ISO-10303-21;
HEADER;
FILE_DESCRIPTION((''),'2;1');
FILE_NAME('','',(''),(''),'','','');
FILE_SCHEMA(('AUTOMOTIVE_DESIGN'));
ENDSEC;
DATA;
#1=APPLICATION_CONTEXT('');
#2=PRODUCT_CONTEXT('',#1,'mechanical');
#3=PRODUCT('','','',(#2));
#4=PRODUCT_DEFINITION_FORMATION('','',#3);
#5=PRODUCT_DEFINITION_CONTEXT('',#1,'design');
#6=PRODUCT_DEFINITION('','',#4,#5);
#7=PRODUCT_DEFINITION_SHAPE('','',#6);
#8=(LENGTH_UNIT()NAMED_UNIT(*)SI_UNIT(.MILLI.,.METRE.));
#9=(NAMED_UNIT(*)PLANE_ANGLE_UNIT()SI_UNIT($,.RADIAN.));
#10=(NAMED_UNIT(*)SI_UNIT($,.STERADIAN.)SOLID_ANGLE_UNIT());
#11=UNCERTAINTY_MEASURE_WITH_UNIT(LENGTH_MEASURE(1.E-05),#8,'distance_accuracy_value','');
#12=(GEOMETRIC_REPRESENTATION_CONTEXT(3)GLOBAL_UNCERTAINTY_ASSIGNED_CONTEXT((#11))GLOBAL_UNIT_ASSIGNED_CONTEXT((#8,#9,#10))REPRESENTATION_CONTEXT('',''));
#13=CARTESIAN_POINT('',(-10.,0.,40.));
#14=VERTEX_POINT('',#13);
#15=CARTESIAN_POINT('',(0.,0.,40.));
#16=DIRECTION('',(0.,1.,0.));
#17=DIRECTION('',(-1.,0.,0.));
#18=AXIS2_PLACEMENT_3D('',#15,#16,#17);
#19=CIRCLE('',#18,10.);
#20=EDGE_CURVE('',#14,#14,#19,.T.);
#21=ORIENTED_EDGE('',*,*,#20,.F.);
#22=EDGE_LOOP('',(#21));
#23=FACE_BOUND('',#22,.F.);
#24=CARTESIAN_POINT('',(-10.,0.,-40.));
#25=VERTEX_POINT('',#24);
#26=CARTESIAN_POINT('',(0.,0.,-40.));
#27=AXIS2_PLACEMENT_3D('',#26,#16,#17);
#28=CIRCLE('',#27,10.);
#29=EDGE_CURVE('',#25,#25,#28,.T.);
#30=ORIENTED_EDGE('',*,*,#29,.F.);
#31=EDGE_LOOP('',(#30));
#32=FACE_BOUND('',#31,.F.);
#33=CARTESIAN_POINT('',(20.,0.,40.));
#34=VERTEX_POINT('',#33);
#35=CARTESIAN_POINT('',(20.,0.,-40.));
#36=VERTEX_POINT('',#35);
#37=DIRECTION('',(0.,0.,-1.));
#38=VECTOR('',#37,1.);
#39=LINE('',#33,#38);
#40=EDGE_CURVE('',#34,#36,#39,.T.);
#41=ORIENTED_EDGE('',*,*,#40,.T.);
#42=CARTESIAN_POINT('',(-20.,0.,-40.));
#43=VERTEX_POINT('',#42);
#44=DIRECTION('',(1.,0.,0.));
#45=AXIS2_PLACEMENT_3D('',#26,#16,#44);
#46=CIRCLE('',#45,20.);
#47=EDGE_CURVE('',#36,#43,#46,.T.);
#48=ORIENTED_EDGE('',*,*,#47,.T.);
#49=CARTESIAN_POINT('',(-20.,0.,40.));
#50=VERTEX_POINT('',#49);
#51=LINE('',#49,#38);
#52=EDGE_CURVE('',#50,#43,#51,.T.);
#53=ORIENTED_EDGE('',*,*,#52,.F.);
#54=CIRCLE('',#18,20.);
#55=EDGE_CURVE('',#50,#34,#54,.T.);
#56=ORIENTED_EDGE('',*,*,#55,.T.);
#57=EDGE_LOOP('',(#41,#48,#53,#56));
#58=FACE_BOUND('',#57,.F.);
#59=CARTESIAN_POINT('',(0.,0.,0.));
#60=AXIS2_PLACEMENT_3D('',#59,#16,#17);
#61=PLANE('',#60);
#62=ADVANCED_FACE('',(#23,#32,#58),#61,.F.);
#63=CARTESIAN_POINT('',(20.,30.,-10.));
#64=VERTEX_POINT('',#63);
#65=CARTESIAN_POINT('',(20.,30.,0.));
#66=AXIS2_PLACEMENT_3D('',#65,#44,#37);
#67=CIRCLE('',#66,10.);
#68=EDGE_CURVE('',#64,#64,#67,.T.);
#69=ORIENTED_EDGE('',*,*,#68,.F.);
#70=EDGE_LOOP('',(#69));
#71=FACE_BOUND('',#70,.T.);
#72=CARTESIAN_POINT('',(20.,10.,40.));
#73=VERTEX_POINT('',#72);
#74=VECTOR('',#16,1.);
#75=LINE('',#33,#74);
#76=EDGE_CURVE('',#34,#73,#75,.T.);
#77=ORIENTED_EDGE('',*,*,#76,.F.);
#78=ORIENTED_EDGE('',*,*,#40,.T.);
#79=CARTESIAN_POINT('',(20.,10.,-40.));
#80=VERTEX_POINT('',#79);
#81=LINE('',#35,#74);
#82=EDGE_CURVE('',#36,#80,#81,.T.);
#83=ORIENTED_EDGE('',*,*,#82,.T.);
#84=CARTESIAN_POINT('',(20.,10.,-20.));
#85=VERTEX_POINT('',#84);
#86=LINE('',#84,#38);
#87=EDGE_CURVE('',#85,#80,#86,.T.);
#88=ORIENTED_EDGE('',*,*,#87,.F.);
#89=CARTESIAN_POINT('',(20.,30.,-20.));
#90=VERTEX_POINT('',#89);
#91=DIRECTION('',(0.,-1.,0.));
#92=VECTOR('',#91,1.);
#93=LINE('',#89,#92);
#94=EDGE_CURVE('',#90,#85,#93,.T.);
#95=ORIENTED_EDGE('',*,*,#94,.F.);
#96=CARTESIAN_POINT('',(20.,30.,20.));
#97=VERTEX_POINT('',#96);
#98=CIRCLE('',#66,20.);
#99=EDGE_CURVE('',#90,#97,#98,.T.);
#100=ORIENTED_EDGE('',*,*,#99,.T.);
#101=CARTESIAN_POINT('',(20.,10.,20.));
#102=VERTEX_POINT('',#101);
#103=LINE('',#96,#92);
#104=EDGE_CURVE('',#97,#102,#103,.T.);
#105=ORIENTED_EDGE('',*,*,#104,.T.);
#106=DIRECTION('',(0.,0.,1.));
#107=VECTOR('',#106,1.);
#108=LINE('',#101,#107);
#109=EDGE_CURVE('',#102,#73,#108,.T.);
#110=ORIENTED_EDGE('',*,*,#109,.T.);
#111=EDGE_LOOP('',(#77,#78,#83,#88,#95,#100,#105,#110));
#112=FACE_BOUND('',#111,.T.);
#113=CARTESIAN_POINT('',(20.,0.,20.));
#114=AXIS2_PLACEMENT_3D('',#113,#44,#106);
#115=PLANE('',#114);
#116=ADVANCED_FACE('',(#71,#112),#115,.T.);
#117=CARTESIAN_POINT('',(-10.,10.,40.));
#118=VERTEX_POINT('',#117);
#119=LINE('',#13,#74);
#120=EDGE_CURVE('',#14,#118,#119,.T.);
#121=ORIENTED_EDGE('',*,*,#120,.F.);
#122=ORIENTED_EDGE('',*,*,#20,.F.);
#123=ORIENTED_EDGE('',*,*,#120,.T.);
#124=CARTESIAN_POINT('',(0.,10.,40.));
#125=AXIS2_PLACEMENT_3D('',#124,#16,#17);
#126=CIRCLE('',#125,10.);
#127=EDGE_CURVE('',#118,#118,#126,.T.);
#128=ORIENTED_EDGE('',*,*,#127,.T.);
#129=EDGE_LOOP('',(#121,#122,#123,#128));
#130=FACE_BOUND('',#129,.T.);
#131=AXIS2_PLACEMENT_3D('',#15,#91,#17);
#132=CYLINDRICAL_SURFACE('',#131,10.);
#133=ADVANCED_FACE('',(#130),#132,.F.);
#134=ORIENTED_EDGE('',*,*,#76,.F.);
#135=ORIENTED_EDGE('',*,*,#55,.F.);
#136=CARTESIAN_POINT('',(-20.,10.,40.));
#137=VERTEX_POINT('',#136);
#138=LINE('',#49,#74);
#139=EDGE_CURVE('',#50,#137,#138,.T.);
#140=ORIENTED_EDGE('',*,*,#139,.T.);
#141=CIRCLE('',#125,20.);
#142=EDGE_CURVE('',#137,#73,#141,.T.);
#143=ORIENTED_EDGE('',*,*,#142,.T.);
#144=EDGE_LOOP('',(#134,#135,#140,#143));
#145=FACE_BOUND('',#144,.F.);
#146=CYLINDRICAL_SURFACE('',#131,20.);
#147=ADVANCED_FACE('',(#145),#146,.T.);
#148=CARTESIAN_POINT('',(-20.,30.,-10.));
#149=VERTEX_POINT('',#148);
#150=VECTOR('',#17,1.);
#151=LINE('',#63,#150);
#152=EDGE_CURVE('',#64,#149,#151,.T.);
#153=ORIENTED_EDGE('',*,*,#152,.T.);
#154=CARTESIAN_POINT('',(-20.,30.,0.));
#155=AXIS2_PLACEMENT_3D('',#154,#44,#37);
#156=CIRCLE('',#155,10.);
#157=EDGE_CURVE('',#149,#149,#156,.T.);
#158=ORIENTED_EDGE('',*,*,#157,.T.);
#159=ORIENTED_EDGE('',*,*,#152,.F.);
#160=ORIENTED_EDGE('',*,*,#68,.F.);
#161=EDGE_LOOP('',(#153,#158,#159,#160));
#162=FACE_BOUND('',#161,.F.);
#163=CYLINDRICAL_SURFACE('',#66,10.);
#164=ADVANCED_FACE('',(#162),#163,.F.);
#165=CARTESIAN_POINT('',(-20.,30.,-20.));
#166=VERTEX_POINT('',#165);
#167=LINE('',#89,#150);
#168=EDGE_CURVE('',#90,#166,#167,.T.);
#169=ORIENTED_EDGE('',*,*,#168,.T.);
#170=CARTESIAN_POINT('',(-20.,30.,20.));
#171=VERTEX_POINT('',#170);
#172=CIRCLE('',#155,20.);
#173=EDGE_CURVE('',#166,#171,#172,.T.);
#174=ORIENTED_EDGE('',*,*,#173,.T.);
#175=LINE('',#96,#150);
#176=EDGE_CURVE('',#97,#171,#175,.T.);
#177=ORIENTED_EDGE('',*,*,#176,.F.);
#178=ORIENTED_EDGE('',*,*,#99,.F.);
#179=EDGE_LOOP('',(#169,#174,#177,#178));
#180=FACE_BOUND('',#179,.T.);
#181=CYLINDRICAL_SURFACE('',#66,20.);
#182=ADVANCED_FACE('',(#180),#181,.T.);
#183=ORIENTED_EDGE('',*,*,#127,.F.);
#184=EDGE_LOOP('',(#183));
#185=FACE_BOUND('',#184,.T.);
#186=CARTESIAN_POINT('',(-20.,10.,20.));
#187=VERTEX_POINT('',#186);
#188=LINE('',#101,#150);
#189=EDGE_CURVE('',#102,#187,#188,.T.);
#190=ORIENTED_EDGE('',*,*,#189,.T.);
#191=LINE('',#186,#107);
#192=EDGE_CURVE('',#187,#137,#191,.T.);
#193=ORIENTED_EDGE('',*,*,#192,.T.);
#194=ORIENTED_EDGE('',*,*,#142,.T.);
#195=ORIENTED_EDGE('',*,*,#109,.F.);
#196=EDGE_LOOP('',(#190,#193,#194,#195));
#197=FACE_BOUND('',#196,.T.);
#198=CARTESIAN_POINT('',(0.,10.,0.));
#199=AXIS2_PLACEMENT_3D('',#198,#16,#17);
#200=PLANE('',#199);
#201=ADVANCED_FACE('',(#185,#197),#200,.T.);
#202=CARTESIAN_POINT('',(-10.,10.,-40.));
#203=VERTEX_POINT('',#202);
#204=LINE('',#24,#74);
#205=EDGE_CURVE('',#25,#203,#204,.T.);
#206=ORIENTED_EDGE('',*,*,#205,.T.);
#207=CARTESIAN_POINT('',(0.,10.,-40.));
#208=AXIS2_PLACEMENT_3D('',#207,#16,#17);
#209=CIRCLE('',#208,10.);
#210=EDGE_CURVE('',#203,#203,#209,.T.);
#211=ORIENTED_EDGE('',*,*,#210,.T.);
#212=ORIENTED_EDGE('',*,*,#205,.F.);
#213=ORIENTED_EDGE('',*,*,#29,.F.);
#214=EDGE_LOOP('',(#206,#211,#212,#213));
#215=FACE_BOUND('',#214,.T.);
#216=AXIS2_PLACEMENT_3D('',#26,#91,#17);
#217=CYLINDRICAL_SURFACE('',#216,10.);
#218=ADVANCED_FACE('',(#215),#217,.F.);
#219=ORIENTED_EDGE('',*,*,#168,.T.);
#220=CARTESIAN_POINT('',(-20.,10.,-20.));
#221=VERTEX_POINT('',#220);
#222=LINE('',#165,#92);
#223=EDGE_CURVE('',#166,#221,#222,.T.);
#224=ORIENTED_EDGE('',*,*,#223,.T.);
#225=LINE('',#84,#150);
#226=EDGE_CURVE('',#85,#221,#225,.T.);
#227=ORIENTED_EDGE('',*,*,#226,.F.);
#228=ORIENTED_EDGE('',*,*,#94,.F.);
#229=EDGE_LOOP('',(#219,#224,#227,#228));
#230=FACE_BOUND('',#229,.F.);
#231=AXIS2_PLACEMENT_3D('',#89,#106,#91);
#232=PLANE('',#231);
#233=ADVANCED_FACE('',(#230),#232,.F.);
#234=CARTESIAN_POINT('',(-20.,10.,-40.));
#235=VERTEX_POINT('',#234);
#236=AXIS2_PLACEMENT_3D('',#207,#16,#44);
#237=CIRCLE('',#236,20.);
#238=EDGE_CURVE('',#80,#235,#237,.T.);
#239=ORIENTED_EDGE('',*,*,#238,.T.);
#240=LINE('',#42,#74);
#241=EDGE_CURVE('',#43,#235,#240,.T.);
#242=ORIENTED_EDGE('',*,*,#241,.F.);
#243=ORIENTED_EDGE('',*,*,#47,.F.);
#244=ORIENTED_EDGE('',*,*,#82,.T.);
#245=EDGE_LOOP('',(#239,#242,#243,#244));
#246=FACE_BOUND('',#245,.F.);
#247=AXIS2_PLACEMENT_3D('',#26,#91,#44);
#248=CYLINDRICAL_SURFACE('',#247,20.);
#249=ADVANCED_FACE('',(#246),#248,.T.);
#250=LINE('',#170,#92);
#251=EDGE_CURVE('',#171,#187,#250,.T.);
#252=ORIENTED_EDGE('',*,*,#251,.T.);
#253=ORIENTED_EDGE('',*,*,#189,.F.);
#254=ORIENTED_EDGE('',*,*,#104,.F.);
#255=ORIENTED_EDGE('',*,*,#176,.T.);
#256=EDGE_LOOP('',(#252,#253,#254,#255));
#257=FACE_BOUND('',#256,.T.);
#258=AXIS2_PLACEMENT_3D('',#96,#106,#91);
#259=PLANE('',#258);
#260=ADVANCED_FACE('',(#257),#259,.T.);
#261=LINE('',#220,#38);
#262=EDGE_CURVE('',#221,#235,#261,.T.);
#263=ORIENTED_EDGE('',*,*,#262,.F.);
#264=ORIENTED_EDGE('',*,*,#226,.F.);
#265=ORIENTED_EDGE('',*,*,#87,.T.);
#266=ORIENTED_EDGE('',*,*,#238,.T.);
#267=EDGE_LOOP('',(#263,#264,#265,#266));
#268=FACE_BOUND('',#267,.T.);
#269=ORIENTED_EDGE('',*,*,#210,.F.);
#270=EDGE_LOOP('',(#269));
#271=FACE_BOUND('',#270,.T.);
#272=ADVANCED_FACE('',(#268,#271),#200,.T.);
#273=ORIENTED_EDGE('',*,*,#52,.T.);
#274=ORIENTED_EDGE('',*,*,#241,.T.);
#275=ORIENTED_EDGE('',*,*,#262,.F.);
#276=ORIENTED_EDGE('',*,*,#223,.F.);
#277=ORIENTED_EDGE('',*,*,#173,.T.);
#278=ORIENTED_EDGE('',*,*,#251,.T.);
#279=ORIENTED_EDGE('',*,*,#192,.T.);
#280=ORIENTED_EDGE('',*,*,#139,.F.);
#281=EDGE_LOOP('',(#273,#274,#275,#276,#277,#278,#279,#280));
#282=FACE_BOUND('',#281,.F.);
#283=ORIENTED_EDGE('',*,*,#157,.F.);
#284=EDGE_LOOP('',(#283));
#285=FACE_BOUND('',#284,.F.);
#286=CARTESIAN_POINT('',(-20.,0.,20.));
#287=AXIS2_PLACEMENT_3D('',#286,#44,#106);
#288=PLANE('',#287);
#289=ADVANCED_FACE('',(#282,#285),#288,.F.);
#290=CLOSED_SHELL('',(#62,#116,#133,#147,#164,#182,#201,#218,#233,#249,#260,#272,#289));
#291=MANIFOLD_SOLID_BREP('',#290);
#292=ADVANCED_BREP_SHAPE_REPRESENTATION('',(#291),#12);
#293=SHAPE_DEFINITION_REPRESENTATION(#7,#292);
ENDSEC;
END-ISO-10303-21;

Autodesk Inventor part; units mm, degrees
ref_plane "YZ Plane" through (0, 0, 0) normal (1, 0, 0) x (0, 1, 0)
ref_plane "XZ Plane" through (0, 0, 0) normal (0, 1, 0) x (-1, 0, 0)
ref_plane "XY Plane" through (0, 0, 0) normal (0, 0, 1) x (1, 0, 0)
sketch "Sketch1" plane through (0, 0, 0) normal (0, 1, 0) x (-1, 0, 0)
  line L0 (-20, 20) -> (-20, -20)
  line L1 (20, -20) -> (20, 20)
  line L2 (20, 20) -> (-20, -20) construction
  line L3 (-20, 20) -> (20, -20) construction
  circle A0 centre (0, 40) radius 10
  arc A1 (20, 40) -> (-20, 40) centre (0, 40) ccw
  line L4 (0, -20) -> (0, -40) construction
  circle A2 centre (0, -40) radius 10
  arc A3 (-20, -40) -> (20, -40) centre (0, -40) ccw
  line L5 (-20, 20) -> (-20, 40)
  line L6 (-20, -20) -> (-20, -40)
  line L7 (20, -20) -> (20, -40)
  line L8 (20, 20) -> (20, 40)
  line L9 (0, 40) -> (0, 20) construction
  point P0 (0, 0)
  dimension "d8" = 20
extrude "Extrusion1" add sketch "Sketch1" along normal blind 10
sketch "Sketch2" plane through (20, 0, 40) normal (1, 0, 0) x (0, 0, -1)
  line L0 (80, 10) -> (0, 10) construction
  line L1 (40, 10) -> (40, 30) construction
  arc A0 (60, 30) -> (20, 30) centre (40, 30) ccw
  circle A1 centre (40, 30) radius 10
  line L2 (20, 30) -> (20, 10)
  line L3 (60, 30) -> (60, 10)
  line L4 (20, 10) -> (60, 10)
  point P0 (40, 0)
extrude "Extrusion2" add sketch "Sketch2" against normal blind 40
thread "Thread1" size "M20x2.5" class "6H" standard "ANSI Metric M Profile" full length
thread "Thread2" size "M20x2.5" class "6H" standard "ANSI Metric M Profile" full length
thread "Thread3" size "M20x2.5" class "6H" standard "ANSI Metric M Profile" full length
sketch "Sketch3" plane through (20, 0, 40) normal (1, 0, 0) x (0, 0, -1)
  point P0 (40, 0)
properties part number "T#1_LAB_DINAMICA"
